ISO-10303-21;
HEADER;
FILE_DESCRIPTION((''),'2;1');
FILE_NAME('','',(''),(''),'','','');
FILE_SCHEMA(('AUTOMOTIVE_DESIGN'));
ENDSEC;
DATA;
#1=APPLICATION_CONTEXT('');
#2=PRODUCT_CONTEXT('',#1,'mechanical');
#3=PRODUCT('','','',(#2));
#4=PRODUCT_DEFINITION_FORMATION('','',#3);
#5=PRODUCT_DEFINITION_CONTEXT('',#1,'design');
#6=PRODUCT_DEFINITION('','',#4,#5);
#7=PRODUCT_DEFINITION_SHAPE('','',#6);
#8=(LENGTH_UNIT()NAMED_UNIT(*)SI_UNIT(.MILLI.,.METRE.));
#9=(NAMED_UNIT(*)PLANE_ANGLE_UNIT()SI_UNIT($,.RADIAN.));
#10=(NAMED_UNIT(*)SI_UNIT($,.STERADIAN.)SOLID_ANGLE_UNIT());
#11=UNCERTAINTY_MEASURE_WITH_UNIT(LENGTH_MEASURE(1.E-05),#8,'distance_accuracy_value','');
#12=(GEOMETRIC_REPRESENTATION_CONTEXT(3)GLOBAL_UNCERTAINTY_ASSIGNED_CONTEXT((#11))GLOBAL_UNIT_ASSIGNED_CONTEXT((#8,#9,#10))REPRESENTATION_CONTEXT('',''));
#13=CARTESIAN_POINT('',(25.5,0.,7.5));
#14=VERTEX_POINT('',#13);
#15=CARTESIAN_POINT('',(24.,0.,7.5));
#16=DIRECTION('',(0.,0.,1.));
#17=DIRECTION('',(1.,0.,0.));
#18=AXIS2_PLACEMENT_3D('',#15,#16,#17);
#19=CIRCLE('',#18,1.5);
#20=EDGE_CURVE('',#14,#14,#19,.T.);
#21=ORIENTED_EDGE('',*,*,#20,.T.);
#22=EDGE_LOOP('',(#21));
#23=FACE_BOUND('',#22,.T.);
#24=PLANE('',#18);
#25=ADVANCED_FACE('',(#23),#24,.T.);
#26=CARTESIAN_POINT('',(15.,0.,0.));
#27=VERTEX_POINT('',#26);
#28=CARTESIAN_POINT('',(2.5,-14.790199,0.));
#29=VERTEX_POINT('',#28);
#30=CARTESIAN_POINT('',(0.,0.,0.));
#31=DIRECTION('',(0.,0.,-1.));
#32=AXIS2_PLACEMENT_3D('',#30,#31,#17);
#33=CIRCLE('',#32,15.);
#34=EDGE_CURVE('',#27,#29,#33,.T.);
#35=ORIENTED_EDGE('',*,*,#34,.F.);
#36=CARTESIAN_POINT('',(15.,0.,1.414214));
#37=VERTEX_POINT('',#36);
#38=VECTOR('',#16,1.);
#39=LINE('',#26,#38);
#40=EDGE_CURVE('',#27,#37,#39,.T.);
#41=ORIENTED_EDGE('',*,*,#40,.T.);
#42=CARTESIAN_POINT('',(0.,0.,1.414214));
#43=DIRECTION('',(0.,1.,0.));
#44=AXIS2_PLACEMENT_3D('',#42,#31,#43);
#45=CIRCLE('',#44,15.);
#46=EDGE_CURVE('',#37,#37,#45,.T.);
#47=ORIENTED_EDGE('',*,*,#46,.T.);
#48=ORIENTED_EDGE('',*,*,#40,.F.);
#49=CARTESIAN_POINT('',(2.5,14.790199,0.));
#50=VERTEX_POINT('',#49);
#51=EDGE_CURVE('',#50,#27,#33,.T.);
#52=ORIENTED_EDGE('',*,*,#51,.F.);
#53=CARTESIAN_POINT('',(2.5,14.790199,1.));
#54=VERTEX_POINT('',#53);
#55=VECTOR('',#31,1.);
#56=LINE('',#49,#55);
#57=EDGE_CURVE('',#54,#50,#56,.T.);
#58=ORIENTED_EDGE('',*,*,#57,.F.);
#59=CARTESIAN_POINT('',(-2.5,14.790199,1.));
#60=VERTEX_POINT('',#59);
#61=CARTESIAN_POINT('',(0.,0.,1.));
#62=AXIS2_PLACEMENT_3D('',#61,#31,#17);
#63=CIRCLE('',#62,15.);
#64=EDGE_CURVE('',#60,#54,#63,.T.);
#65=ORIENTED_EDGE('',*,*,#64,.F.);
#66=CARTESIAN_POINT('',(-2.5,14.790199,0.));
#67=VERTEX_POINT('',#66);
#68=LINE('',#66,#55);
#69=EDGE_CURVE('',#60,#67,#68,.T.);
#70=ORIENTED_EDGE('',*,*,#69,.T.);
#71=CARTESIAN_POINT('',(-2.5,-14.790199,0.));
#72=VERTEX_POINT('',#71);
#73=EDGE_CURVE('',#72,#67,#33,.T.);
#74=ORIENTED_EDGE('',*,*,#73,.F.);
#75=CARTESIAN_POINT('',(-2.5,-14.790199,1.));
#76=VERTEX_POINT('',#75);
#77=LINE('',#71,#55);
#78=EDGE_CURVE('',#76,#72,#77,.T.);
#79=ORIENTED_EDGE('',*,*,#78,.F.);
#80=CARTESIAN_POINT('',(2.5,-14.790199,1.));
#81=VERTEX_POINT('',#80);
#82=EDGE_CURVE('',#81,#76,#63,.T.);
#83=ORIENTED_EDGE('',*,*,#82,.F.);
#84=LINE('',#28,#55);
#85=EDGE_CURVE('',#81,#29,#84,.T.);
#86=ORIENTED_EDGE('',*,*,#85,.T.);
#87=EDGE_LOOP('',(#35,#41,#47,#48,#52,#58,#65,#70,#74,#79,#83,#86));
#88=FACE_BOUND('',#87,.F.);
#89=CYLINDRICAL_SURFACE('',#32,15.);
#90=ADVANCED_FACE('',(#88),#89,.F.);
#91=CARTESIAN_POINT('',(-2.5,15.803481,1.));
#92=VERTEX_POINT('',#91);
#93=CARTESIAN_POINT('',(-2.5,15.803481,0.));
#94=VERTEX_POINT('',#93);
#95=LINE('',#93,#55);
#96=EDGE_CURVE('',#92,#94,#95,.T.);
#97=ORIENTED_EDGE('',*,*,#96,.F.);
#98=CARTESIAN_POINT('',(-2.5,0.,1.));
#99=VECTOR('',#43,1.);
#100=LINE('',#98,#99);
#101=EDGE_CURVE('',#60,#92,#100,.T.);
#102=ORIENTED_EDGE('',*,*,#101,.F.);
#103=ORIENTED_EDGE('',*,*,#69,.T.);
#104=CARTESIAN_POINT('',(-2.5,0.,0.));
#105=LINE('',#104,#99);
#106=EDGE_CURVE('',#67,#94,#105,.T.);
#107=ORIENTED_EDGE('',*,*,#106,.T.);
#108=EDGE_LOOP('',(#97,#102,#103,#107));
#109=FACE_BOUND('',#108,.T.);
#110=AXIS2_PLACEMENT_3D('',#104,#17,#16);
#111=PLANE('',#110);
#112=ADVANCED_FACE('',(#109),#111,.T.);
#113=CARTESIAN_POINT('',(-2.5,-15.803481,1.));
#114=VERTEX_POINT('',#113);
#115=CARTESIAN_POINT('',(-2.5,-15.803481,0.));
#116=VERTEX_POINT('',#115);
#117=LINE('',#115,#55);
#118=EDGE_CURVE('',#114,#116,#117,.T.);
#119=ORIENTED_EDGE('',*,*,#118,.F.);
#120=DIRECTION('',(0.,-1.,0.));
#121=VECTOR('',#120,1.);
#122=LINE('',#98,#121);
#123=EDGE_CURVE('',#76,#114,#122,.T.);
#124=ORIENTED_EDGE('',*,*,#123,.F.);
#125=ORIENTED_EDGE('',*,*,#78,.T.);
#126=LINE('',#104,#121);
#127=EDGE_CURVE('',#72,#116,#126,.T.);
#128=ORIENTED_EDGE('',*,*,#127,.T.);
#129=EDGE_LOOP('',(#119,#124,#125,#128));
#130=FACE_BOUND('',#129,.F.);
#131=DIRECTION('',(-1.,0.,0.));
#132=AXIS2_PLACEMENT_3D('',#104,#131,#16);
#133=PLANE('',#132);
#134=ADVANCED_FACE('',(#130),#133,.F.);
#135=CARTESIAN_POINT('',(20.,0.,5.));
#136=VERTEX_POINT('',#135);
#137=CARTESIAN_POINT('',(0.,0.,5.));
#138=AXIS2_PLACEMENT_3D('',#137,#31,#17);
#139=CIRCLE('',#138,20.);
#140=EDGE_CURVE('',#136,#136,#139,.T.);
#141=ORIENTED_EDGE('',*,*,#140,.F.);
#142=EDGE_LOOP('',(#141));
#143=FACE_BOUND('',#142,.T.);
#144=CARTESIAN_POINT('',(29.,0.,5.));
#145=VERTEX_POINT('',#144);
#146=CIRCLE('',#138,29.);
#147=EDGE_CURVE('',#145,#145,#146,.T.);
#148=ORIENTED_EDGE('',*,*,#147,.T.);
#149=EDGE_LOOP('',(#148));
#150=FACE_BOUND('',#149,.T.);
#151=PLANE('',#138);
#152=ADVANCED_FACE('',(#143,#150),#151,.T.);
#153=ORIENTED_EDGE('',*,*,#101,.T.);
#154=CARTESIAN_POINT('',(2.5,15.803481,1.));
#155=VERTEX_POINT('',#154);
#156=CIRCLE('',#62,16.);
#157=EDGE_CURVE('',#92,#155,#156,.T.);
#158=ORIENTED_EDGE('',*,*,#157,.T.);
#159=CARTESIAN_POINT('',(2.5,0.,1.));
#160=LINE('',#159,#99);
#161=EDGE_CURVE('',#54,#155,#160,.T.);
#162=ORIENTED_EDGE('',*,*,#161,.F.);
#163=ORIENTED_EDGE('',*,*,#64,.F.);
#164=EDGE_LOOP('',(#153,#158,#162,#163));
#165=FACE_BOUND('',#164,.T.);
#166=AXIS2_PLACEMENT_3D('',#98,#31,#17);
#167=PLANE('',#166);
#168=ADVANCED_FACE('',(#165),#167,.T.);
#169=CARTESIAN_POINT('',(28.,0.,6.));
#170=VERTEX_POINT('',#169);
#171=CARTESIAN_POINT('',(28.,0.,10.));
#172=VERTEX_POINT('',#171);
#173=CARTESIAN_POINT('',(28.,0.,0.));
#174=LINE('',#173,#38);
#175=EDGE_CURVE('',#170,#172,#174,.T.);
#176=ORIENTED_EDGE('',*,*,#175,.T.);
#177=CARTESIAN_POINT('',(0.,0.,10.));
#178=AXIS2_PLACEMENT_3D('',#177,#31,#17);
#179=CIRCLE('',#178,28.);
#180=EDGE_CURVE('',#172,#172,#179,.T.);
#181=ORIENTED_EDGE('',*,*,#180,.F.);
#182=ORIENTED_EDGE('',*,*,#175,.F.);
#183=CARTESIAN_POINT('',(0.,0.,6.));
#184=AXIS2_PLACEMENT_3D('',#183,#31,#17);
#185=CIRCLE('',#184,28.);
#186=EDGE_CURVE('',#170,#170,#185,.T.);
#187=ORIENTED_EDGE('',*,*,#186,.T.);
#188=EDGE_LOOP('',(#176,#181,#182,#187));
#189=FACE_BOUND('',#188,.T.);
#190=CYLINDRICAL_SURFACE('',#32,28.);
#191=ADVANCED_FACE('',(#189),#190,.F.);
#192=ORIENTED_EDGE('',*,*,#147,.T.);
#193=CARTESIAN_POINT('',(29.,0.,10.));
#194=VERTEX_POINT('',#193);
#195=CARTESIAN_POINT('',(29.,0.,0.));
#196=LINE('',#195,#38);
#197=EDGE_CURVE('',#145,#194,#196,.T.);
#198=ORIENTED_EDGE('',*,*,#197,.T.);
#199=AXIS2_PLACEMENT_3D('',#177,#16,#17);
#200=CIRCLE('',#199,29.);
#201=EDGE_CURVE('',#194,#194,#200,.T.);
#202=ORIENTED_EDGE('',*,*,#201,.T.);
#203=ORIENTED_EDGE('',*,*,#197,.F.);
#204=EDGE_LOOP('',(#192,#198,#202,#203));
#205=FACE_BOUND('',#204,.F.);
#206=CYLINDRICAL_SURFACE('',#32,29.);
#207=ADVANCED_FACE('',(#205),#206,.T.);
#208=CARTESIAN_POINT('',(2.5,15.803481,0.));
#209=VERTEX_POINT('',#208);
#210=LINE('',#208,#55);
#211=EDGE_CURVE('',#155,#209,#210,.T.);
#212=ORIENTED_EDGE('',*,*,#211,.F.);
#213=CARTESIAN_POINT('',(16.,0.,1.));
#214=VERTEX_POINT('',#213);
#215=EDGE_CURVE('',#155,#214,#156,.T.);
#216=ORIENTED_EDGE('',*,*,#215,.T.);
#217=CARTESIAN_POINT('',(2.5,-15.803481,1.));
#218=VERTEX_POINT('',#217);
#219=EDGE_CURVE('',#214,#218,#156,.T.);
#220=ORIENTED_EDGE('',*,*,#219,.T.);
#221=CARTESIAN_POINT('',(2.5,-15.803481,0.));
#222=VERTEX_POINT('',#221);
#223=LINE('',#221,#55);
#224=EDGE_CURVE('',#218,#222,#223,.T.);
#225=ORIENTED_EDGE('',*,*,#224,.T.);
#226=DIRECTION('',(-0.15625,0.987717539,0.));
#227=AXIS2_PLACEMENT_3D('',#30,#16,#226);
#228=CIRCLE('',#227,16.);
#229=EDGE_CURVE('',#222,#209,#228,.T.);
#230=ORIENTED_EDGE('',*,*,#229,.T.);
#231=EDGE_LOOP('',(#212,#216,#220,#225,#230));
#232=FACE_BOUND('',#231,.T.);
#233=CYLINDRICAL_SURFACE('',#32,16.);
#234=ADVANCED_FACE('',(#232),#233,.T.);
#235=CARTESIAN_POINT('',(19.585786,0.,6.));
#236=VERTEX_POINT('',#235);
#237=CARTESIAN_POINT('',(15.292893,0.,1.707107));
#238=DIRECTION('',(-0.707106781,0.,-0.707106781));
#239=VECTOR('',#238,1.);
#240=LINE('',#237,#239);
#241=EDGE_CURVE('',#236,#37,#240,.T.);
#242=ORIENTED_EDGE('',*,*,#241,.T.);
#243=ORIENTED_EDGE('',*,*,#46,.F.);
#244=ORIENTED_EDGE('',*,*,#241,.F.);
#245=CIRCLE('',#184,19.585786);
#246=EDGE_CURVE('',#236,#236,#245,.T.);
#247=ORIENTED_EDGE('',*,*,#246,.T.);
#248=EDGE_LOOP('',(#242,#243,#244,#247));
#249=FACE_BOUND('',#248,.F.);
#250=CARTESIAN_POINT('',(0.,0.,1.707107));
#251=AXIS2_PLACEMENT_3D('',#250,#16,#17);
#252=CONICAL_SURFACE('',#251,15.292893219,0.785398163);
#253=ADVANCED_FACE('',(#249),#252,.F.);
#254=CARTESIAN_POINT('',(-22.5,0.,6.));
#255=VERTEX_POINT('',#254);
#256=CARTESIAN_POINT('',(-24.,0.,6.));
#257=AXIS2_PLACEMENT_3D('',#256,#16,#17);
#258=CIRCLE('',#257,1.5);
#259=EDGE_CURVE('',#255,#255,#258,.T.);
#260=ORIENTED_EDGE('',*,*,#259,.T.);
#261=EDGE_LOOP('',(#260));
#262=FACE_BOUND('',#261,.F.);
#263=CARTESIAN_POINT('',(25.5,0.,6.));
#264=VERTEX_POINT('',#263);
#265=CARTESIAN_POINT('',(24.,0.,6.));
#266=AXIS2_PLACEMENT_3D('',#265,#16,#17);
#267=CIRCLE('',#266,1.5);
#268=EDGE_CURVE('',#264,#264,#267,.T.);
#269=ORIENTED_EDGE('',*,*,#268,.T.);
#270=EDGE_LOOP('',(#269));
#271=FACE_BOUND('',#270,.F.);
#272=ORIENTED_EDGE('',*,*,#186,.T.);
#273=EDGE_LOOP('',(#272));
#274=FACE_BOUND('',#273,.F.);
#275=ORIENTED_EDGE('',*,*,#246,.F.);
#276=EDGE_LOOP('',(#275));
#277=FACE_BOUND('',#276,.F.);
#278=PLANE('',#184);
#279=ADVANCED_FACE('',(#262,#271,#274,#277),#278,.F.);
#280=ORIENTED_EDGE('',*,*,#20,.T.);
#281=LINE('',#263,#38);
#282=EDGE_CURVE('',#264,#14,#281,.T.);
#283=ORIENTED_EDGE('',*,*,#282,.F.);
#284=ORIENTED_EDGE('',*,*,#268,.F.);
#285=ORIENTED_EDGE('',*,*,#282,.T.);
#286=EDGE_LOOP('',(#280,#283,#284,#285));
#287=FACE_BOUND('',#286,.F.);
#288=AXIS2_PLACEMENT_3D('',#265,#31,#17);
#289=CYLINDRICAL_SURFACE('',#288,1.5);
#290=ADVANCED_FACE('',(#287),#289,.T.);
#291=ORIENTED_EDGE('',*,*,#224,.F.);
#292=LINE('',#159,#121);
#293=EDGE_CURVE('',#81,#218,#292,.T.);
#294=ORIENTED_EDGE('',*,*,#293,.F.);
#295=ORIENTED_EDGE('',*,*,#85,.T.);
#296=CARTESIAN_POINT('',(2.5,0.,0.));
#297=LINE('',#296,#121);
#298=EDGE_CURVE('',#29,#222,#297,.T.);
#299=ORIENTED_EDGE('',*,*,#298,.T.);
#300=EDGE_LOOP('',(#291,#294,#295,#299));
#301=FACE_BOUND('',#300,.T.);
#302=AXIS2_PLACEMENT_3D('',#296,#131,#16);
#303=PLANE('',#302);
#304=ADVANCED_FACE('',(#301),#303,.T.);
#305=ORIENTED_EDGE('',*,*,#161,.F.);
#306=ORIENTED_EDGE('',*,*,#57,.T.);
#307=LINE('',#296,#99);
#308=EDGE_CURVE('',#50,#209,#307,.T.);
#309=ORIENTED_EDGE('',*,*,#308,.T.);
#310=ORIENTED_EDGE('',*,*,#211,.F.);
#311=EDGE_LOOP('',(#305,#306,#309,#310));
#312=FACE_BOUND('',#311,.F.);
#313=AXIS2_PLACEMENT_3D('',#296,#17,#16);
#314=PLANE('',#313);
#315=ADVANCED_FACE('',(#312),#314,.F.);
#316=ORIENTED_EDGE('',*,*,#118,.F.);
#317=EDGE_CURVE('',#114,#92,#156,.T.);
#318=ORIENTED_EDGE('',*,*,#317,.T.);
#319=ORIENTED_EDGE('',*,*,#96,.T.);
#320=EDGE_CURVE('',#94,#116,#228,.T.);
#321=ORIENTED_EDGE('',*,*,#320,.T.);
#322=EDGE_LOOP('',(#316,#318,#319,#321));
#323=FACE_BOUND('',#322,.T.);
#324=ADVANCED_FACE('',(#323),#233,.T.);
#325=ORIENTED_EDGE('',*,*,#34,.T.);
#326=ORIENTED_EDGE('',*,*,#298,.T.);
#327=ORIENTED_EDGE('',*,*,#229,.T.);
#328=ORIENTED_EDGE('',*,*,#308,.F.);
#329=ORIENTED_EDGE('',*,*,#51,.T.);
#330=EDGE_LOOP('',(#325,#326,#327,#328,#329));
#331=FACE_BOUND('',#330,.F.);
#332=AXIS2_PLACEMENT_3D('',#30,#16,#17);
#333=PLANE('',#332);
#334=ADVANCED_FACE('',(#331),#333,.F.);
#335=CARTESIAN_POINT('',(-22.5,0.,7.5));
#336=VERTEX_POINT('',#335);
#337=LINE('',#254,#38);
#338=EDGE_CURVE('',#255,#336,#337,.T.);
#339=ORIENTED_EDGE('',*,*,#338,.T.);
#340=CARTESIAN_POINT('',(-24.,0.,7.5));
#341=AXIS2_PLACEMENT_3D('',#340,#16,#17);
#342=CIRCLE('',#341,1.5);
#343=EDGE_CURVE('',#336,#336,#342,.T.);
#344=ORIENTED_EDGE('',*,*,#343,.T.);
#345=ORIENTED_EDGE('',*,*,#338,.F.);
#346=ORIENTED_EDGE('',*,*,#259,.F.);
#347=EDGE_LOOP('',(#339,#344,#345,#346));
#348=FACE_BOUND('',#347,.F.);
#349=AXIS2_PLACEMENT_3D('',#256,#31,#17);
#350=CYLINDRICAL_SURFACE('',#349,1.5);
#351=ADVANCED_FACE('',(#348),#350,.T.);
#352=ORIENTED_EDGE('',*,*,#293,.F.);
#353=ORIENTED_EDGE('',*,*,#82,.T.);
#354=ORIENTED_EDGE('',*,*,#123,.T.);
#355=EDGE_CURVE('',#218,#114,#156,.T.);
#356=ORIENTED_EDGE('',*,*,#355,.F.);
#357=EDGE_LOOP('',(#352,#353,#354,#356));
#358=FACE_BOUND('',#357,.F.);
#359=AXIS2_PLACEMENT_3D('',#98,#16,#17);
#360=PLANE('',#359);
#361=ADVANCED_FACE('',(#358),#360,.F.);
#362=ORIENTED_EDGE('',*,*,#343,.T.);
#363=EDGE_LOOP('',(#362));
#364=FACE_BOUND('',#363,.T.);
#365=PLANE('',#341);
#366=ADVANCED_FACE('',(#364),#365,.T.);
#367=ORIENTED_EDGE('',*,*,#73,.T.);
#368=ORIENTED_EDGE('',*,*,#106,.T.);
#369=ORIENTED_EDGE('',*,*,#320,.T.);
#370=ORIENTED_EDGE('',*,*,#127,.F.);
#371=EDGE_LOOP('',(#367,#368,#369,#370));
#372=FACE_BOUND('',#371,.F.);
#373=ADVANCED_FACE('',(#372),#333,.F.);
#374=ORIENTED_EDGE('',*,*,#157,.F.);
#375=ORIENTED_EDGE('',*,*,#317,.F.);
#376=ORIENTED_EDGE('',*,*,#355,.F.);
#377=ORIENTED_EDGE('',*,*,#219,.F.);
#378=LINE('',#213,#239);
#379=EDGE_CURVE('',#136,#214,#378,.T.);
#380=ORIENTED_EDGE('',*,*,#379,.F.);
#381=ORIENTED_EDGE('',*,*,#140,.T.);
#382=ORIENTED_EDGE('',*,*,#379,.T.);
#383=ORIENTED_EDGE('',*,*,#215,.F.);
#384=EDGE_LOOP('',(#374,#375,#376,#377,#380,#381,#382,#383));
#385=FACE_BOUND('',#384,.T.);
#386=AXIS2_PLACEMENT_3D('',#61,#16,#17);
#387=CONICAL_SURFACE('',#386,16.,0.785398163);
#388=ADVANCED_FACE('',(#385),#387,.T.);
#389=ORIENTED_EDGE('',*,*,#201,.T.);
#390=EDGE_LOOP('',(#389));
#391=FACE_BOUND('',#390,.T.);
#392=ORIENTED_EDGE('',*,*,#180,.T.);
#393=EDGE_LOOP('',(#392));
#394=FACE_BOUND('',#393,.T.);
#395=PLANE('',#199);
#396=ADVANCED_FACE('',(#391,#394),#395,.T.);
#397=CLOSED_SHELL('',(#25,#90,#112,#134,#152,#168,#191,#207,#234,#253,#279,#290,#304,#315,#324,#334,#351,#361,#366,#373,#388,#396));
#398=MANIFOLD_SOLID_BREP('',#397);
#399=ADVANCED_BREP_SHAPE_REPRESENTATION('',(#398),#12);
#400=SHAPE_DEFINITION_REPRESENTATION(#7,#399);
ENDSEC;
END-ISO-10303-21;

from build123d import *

# Parameters (mm, degrees)
F0_R          = 29
F1_DEPTH      = 10
F2_R          = 29
F2_R_2        = 16
F3_DEPTH      = 5
F4_SIZE       = 4
F5_T          = -1
F6_R          = 1.5
F7_DEPTH      = 1.5
F8_W          = 5
F8_H          = 1
F9_DEPTH      = 29.001
F9_DEPTH_BACK = 29.001


with BuildPart() as f1:
    # F0 (on Top) → F1 (new body)
    with BuildSketch(Plane.XY):
        Circle(F0_R)
    extrude(amount=F1_DEPTH)

    # F2 (on face) → F3 (cut)
    with BuildSketch(Plane(origin=(0, 0, 0), x_dir=(1, 0, 0), z_dir=(0, 0, -1))):
        Circle(F2_R)
        Circle(F2_R_2, mode=Mode.SUBTRACT)
    extrude(amount=-F3_DEPTH, mode=Mode.SUBTRACT)

    # F4
    f4_edges = [f1.edges().sort_by_distance(p)[0] for p in [
        (-16, 0, 5),
    ]]
    chamfer(f4_edges, length=F4_SIZE)

    # F5
    f5_openings = [f1.faces().sort_by_distance(p)[0] for p in [
        (0, 0, 10),
        (0, 0, 0),
    ]]
    offset(amount=F5_T, openings=f5_openings, kind=Kind.INTERSECTION)

    # F6 (on face) → F7 (join)
    with BuildSketch(Plane.XY.offset(6)):
        with Locations((-24, 0)):
            Circle(F6_R)
        with Locations((24, 0)):
            Circle(F6_R)
    extrude(amount=F7_DEPTH)

    # F8 (on Front) → F9 (cut, two sides)
    with BuildSketch(Plane.XZ) as f9_sk:
        with Locations((0, 0.5)):
            Rectangle(F8_W, F8_H)
    extrude(amount=-F9_DEPTH, mode=Mode.SUBTRACT)
    extrude(f9_sk.sketch, amount=F9_DEPTH_BACK, mode=Mode.SUBTRACT)


solid = f1.part
